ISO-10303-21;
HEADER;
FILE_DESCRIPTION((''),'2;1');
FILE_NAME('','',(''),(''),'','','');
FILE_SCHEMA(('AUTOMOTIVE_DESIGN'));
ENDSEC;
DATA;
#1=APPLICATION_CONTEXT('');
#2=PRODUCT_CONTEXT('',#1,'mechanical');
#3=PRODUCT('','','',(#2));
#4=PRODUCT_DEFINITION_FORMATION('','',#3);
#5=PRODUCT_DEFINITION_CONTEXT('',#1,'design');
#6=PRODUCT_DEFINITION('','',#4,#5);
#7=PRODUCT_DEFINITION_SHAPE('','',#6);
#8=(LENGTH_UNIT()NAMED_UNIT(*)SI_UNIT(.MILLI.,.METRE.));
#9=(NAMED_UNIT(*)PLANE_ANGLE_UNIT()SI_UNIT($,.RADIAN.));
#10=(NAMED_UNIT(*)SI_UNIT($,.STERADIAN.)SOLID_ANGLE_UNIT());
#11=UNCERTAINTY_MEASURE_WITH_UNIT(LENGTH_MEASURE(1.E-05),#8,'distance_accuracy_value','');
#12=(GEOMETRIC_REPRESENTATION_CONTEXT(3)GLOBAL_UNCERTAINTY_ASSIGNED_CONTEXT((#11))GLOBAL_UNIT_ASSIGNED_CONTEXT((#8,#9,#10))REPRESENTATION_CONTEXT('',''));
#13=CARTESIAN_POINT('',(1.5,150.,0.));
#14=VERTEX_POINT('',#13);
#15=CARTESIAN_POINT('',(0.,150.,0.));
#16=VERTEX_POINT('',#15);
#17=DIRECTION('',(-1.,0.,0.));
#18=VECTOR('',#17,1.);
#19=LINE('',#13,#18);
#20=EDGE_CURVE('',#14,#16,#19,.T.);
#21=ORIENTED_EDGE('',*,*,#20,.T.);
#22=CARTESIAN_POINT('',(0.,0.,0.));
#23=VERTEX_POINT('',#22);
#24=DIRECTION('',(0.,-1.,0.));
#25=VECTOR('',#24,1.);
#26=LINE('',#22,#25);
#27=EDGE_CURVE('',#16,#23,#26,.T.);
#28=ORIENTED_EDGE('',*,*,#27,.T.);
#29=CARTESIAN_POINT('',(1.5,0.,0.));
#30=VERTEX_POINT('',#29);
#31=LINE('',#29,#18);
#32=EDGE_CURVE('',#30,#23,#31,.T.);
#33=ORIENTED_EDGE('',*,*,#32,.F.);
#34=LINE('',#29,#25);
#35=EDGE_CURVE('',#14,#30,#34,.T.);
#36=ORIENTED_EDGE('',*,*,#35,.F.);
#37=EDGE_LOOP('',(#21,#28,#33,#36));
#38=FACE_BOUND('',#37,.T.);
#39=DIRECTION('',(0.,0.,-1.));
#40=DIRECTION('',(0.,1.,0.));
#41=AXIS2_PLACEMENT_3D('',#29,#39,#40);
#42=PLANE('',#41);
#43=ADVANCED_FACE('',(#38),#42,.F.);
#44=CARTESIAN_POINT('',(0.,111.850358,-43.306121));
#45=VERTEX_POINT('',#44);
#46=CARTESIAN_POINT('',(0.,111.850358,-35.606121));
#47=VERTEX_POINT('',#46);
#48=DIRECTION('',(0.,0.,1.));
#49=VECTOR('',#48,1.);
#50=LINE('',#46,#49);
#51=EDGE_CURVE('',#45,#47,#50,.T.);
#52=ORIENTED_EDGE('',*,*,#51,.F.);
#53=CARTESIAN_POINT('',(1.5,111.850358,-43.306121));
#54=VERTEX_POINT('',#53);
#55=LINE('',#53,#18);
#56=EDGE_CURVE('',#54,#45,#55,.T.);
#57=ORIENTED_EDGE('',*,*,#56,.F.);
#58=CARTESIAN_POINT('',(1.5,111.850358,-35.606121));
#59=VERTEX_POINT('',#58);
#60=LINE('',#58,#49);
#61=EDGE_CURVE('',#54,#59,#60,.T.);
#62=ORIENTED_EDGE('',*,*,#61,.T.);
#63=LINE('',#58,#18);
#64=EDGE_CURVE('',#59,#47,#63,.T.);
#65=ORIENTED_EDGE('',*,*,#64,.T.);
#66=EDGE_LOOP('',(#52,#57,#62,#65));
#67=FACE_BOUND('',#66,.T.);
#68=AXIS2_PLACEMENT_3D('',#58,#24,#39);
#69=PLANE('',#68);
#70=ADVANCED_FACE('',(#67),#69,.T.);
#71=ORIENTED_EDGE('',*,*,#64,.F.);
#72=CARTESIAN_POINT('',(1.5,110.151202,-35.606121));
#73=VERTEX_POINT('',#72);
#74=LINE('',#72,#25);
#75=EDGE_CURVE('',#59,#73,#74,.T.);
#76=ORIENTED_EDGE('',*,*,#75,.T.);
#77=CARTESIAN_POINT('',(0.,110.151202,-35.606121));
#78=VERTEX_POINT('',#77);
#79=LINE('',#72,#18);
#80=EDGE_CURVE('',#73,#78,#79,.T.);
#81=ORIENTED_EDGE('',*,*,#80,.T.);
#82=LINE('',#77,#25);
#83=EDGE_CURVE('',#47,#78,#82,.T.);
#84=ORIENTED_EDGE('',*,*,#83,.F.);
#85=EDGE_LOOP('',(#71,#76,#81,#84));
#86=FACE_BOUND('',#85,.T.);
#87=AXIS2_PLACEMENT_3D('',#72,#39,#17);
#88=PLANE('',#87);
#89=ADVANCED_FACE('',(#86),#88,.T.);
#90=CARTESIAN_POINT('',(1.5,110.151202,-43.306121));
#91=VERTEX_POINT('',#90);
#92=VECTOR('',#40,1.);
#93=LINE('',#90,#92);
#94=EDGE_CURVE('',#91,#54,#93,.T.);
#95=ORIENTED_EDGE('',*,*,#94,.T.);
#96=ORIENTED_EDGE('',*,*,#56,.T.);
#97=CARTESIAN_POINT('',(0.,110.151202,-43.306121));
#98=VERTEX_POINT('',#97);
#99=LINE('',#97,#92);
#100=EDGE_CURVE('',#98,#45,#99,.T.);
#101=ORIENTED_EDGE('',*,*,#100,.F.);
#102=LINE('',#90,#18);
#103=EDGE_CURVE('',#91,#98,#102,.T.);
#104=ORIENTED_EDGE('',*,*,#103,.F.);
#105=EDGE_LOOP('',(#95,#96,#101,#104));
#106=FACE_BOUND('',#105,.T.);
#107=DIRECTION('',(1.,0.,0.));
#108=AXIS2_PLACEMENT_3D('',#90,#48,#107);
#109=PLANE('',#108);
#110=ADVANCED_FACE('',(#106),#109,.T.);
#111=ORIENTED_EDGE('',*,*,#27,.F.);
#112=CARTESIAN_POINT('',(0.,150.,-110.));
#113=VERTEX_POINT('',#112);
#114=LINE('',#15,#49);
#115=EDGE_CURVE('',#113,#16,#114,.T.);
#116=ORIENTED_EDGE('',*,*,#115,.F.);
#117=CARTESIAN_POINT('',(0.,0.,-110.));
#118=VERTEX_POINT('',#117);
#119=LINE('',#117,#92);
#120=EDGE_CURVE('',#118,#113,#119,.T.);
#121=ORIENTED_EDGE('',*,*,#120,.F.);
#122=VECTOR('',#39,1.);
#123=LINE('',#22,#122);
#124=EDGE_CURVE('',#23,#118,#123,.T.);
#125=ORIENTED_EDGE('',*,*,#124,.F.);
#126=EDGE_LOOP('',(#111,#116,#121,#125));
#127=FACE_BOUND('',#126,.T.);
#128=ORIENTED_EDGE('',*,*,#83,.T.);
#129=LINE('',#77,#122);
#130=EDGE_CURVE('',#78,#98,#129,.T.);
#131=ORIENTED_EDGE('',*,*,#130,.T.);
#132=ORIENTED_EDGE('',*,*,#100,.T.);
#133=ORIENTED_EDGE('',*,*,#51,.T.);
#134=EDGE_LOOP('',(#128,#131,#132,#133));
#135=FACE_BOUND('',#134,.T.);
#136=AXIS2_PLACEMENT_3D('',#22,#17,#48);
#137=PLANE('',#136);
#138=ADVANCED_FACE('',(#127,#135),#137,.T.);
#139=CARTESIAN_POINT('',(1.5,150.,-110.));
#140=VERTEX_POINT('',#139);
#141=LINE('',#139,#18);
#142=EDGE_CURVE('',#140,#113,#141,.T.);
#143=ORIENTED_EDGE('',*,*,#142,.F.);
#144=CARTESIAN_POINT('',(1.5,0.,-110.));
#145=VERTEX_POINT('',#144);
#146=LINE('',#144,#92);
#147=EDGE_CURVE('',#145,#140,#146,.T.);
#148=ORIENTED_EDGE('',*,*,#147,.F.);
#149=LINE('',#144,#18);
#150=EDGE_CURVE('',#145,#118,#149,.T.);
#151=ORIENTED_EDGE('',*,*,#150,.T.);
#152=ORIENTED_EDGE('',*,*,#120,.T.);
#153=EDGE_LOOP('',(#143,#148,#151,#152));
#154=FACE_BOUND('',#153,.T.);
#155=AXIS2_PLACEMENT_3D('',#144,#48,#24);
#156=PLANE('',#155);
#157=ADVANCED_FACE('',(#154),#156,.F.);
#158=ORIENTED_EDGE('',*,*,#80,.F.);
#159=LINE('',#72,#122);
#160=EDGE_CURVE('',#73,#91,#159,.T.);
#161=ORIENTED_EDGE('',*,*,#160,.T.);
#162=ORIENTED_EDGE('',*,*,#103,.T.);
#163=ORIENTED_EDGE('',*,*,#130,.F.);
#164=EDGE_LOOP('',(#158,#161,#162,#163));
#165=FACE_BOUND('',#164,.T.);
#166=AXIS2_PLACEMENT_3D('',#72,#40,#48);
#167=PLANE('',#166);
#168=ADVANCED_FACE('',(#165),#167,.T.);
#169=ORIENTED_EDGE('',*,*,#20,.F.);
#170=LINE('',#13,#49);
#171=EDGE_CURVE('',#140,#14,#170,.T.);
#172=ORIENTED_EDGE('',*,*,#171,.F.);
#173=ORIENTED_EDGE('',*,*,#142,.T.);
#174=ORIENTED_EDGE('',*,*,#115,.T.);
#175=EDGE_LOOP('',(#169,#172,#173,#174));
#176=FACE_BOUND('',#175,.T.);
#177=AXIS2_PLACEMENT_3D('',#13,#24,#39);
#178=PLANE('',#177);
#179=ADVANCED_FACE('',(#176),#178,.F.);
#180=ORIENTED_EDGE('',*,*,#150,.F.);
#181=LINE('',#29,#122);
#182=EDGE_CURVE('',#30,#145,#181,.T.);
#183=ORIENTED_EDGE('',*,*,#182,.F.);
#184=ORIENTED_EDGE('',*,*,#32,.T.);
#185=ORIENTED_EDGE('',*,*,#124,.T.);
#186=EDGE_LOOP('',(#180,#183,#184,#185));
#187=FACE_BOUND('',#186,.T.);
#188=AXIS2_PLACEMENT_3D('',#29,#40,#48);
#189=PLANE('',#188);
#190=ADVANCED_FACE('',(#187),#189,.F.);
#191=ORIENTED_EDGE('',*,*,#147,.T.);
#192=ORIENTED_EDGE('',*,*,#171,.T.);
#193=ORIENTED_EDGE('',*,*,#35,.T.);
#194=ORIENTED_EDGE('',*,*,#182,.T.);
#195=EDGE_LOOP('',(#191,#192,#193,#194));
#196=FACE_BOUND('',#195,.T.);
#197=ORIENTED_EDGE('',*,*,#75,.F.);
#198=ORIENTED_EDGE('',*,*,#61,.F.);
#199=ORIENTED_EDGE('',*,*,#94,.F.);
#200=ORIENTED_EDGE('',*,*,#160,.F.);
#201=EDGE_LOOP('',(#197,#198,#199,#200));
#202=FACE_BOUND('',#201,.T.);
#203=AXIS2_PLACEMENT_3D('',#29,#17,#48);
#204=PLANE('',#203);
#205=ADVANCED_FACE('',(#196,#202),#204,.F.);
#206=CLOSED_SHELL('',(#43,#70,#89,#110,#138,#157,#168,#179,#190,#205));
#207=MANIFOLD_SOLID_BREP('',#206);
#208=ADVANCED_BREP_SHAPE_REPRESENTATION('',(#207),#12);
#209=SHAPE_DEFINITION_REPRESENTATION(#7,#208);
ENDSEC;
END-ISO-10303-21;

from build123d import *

# Parameters (mm, degrees)
SKETCH1_W           = 110
SKETCH1_H           = 150
SKETCH1_W_2         = 7.7
SKETCH1_H_2         = 1.699155299
BOSS_EXTRUDE1_DEPTH = 1.5


with BuildPart() as part:
    # Sketch1 → Boss-Extrude1 (new body)
    with BuildSketch(Plane(origin=(0, 0, 0), x_dir=(0, 0, -1), z_dir=(1, 0, 0))):
        with Locations((55, 75)):
            Rectangle(SKETCH1_W, SKETCH1_H)
        with Locations((39.456121433, 111.00078001)):
            Rectangle(SKETCH1_W_2, SKETCH1_H_2, mode=Mode.SUBTRACT)
    extrude(amount=BOSS_EXTRUDE1_DEPTH)


solid = part.part
